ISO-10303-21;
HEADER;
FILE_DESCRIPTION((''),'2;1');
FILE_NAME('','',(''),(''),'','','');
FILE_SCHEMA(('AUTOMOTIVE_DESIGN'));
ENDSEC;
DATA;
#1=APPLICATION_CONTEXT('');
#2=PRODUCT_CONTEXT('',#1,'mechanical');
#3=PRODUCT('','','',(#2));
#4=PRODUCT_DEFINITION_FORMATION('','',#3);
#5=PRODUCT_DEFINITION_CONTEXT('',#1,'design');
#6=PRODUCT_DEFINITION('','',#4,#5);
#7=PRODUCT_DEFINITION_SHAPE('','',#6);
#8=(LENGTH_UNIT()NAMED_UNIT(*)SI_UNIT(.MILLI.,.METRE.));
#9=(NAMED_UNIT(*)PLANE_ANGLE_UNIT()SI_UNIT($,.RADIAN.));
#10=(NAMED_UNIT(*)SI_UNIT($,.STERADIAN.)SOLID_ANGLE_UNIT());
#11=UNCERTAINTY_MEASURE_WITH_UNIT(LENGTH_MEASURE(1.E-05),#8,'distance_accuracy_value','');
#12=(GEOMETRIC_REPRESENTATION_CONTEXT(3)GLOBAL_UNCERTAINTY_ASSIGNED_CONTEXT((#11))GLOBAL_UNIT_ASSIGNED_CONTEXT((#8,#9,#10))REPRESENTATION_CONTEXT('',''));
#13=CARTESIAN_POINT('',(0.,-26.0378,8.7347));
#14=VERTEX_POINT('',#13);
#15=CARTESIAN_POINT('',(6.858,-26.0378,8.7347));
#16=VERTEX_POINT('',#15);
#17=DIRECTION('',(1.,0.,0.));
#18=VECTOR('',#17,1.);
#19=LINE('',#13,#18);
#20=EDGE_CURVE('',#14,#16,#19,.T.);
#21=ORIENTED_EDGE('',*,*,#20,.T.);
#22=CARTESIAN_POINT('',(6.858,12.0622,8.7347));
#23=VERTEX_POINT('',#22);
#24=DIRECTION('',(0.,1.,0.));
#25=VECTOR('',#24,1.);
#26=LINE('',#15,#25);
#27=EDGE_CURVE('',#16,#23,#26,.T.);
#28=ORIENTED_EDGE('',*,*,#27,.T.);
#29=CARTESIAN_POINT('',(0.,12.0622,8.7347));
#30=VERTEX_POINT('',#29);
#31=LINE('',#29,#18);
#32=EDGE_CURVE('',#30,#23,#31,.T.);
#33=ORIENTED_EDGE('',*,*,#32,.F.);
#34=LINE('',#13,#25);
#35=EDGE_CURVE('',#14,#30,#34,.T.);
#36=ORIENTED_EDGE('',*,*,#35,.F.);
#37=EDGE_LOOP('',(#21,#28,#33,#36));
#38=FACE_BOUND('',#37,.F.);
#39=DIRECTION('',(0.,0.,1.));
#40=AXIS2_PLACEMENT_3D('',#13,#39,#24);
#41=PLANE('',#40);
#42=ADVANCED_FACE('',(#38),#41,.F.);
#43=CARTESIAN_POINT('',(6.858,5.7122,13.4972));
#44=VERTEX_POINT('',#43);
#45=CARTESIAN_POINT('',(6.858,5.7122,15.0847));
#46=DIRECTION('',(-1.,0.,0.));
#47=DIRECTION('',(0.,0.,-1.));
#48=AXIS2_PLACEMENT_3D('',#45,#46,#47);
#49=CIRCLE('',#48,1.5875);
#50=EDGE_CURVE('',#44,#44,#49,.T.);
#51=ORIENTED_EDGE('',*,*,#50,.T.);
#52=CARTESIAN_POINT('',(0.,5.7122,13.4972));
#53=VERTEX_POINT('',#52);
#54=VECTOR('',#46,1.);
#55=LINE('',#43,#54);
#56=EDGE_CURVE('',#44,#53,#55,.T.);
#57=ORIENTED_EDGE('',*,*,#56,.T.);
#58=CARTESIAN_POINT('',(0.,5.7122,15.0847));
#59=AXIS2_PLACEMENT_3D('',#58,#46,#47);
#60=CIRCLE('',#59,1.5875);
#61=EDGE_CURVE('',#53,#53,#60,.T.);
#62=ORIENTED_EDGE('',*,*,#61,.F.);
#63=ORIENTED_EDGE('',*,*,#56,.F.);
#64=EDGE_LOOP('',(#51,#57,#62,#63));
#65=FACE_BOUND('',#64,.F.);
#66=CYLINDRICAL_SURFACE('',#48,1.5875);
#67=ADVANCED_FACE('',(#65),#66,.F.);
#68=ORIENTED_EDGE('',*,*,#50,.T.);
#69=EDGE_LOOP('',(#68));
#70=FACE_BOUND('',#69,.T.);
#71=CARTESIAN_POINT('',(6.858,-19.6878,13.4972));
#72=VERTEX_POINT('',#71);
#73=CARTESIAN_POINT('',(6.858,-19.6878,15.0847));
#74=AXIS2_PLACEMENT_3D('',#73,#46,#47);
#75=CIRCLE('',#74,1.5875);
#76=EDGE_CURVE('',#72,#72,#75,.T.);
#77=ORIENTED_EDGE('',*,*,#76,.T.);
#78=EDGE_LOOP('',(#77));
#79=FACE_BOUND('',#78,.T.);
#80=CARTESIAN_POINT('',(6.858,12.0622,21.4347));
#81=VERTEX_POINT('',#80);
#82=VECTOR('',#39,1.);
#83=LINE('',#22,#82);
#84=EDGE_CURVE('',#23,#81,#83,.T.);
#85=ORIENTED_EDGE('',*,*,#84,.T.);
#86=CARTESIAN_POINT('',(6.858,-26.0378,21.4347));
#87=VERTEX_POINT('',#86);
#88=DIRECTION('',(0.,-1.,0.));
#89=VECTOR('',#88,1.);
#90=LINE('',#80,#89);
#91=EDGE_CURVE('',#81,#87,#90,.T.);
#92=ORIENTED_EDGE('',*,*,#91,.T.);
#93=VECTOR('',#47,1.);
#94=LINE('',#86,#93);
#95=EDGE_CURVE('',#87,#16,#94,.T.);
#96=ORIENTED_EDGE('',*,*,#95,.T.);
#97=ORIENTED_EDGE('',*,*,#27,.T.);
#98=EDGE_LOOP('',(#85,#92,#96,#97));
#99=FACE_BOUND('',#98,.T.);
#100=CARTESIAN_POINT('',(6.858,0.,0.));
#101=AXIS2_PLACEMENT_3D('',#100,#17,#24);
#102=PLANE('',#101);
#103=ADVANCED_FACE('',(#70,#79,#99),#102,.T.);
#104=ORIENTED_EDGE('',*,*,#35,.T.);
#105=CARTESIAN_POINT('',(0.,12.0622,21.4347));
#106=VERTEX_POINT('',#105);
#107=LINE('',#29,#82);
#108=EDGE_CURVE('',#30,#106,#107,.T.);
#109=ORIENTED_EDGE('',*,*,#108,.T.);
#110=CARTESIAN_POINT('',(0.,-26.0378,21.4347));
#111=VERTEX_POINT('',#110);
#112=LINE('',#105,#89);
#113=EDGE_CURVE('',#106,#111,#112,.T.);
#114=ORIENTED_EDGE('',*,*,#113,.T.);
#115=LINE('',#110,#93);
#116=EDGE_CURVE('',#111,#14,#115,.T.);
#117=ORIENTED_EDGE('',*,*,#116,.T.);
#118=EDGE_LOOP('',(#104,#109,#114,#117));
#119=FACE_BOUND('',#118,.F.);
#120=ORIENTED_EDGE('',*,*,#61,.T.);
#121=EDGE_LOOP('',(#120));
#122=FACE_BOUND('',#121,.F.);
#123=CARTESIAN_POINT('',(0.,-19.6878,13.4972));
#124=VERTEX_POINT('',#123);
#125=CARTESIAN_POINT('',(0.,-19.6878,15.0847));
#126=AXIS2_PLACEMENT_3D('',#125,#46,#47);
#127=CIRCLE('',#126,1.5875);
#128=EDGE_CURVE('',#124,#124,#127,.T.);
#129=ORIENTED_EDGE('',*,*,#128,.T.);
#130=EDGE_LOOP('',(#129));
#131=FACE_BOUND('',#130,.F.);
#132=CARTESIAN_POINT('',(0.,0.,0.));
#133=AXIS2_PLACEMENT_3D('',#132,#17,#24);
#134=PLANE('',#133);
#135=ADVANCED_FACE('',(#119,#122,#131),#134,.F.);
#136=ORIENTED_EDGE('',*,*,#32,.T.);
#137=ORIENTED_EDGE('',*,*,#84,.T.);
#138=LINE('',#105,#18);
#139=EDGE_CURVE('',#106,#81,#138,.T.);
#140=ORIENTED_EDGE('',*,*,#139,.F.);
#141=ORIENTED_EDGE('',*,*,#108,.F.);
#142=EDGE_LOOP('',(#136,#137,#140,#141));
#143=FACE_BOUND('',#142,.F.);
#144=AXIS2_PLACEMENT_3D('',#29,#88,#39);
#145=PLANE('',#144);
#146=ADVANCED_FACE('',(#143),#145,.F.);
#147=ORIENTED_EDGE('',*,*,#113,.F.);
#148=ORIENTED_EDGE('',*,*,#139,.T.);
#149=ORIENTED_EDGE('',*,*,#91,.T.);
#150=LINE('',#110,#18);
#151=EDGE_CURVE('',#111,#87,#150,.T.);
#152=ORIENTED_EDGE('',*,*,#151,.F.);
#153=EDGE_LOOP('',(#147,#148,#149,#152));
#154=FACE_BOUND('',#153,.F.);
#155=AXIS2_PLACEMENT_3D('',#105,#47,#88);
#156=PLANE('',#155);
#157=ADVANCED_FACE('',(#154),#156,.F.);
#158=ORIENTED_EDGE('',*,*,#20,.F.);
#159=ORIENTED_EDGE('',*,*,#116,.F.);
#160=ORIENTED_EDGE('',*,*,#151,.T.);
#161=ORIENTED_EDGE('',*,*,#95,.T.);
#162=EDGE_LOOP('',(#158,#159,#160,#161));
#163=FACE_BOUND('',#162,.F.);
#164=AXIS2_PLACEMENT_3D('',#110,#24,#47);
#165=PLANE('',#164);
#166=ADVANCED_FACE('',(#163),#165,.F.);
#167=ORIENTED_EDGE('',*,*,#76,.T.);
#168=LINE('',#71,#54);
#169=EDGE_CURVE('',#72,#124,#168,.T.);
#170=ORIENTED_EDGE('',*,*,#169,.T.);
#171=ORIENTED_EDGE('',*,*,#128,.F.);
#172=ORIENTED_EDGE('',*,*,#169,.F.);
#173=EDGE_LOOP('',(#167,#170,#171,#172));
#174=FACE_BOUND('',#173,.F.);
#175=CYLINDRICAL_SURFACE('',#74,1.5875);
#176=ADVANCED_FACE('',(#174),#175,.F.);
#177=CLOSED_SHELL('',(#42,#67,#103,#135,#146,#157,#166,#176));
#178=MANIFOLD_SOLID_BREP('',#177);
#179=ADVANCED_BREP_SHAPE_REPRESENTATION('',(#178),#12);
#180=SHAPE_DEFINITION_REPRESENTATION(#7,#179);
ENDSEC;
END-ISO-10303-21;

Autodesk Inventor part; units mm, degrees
ref_plane "YZ Plane" through (0, 0, 0) normal (1, 0, 0) x (0, 1, 0)
ref_plane "XZ Plane" through (0, 0, 0) normal (0, 1, 0) x (-1, 0, 0)
ref_plane "XY Plane" through (0, 0, 0) normal (0, 0, 1) x (1, 0, 0)
sketch "Sketch1" plane through (0, 0, 0) normal (1, 0, 0) x (0, 1, 0)
  line L0 (12.0622, 21.4347) -> (-26.0378, 21.4347)
  line L1 (-26.0378, 21.4347) -> (-26.0378, 8.7347)
  line L2 (-26.0378, 8.7347) -> (12.0622, 8.7347)
  line L3 (12.0622, 8.7347) -> (12.0622, 21.4347)
  point P0 (0, 0)
  dimension "d0" = 12.7
  dimension "d1" = 38.1
extrude "Extrusion1" add sketch "Sketch1" along normal blind 6.858
sketch "Sketch2" plane through (6.858, 0, 0) normal (1, 0, 0) x (0, 0, -1)
  line L0 (-8.7347, -26.0378) -> (-8.7347, 12.0622) projected
  line L1 (-8.7347, 12.0622) -> (-21.4347, 12.0622) projected
  point P0 (0, 0)
  point P1 (-15.0847, 5.7122)
  point P2 (-15.0847, -19.6878)
  dimension "d4" = 6.35
  dimension "d5" = 6.35
  dimension "d6" = 31.75
  dimension "d7" = 6.35
hole "Hole1" at (6.858, 5.7122, 15.0847) at (6.858, -19.6878, 15.0847) direction (-1, 0, 0) diameter 3.175 end through all
properties part number "GripperSliderBlock"
